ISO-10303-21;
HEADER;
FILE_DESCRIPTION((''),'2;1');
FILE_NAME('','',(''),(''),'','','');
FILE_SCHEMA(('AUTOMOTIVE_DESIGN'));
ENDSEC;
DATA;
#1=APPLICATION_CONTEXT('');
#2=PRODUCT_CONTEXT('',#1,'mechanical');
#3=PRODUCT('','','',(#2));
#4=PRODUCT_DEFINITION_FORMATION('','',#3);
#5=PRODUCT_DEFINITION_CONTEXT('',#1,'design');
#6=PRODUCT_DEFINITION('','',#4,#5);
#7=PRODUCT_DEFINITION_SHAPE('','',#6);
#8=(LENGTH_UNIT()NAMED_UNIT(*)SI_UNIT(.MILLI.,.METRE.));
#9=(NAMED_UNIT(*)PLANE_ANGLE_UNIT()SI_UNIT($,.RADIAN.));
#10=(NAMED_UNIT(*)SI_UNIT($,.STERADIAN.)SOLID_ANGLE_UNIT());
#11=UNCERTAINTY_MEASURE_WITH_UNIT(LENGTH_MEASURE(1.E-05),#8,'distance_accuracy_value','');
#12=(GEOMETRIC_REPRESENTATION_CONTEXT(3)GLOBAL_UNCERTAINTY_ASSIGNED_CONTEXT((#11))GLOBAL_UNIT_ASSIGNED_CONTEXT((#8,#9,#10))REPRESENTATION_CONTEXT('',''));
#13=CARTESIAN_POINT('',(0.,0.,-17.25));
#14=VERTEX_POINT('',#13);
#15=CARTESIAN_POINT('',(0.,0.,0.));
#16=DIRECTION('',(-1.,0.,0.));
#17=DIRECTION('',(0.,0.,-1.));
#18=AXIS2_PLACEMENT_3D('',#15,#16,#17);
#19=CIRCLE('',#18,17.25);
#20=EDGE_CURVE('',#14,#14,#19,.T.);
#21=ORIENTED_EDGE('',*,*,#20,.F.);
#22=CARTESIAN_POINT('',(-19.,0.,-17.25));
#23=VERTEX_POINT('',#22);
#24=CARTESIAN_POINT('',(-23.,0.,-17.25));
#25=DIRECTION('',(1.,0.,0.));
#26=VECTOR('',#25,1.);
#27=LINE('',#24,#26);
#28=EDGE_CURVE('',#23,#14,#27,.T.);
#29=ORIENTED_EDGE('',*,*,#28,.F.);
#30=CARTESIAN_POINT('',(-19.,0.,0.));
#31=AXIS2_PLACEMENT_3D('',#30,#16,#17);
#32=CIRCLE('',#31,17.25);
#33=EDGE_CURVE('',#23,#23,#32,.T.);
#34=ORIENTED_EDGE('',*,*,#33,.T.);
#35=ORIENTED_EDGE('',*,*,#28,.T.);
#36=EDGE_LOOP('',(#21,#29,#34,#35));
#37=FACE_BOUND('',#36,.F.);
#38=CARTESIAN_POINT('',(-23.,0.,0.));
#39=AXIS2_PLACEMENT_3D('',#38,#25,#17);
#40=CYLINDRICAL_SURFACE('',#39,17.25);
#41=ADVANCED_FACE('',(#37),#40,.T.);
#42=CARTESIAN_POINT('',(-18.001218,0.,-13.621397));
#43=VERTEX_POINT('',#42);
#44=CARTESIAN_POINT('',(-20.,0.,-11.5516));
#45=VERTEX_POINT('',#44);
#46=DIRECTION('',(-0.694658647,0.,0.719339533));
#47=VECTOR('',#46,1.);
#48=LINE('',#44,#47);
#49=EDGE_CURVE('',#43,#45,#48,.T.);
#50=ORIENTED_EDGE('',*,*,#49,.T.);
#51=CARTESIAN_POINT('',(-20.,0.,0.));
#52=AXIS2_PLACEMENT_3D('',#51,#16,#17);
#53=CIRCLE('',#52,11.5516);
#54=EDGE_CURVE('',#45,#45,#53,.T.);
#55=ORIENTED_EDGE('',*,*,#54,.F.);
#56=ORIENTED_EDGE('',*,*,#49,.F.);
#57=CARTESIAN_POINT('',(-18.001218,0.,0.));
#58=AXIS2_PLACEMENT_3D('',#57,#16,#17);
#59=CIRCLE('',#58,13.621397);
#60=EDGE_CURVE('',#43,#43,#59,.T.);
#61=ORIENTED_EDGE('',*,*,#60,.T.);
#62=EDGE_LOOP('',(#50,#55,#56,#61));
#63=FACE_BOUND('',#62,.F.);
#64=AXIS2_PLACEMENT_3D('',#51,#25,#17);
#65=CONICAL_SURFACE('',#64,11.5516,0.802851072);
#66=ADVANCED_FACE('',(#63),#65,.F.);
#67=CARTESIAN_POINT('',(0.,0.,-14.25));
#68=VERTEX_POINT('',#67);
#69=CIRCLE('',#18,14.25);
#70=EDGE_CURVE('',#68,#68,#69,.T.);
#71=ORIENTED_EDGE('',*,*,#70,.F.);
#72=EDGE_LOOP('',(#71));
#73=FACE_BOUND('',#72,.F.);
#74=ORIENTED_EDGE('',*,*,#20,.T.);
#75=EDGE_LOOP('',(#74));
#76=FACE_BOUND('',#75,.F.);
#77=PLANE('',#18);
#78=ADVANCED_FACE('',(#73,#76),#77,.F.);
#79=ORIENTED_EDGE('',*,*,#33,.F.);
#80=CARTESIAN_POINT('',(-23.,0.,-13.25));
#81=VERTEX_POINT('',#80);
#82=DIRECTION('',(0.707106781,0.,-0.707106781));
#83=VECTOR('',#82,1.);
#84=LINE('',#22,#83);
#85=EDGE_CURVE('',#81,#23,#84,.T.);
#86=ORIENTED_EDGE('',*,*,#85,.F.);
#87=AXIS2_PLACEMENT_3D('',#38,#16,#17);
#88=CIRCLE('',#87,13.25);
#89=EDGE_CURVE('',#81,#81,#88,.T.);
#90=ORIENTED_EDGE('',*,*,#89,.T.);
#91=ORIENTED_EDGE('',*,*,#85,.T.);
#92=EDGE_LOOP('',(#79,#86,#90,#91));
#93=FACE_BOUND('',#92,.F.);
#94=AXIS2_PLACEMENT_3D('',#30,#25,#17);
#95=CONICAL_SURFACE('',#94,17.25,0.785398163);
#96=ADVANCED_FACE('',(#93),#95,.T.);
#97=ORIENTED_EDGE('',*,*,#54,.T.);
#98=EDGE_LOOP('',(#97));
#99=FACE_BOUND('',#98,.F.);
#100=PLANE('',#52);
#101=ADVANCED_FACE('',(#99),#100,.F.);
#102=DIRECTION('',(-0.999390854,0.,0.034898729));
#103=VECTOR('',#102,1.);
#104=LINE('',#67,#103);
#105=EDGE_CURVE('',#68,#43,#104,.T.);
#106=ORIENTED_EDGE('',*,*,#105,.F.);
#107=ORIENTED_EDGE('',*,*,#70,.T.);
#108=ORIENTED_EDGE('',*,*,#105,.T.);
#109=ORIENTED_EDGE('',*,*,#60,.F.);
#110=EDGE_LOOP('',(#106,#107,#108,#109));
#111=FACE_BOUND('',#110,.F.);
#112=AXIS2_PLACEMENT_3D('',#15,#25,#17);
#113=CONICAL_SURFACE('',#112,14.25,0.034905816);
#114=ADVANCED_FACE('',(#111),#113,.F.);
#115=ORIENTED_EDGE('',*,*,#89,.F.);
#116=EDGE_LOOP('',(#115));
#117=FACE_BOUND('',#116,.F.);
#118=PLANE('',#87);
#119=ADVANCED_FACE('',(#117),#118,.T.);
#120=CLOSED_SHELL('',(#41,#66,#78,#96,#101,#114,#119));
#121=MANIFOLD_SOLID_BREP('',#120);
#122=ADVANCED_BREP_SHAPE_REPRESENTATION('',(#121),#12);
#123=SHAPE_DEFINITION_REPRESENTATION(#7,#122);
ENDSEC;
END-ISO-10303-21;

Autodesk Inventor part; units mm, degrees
ref_plane "YZ Plane" through (0, 0, 0) normal (1, 0, 0) x (0, 1, 0)
ref_plane "XZ Plane" through (0, 0, 0) normal (0, 1, 0) x (-1, 0, 0)
ref_plane "XY Plane" through (0, 0, 0) normal (0, 0, 1) x (1, 0, 0)
sketch "Sketch1" plane through (0, 0, 0) normal (0, 1, 0) x (-1, 0, 0)
  line L0 (23, 0) -> (23, -17.25)
  line L1 (23, -17.25) -> (0, -17.25)
  line L2 (0, -17.25) -> (0, -14.25)
  line L3 (0, -14.25) -> (20, -13.5516)
  line L4 (20, -13.5516) -> (20, 0)
  line L5 (20, 0) -> (23, 0)
  line L6 (0, 0) -> (20, 0) construction
  dimension "d0" = 2
  dimension "d1" = 28.5
  dimension "d2" = 20
  dimension "d3" = 3
  dimension "d4" = 3
  dimension "d14" = 27.1032
revolve "Revolution1" add sketch "Sketch1" angle 360 about axis through (0, 0, 0) along (-1, 0, 0)
chamfer "Chamfer1" distance 4 angle 45 1 edges at (-23, 0, 17.25)
chamfer "Chamfer2" distance 2 angle 45 1 edges at (-20, 0, 13.5516)
properties part number "vacum_cap"
